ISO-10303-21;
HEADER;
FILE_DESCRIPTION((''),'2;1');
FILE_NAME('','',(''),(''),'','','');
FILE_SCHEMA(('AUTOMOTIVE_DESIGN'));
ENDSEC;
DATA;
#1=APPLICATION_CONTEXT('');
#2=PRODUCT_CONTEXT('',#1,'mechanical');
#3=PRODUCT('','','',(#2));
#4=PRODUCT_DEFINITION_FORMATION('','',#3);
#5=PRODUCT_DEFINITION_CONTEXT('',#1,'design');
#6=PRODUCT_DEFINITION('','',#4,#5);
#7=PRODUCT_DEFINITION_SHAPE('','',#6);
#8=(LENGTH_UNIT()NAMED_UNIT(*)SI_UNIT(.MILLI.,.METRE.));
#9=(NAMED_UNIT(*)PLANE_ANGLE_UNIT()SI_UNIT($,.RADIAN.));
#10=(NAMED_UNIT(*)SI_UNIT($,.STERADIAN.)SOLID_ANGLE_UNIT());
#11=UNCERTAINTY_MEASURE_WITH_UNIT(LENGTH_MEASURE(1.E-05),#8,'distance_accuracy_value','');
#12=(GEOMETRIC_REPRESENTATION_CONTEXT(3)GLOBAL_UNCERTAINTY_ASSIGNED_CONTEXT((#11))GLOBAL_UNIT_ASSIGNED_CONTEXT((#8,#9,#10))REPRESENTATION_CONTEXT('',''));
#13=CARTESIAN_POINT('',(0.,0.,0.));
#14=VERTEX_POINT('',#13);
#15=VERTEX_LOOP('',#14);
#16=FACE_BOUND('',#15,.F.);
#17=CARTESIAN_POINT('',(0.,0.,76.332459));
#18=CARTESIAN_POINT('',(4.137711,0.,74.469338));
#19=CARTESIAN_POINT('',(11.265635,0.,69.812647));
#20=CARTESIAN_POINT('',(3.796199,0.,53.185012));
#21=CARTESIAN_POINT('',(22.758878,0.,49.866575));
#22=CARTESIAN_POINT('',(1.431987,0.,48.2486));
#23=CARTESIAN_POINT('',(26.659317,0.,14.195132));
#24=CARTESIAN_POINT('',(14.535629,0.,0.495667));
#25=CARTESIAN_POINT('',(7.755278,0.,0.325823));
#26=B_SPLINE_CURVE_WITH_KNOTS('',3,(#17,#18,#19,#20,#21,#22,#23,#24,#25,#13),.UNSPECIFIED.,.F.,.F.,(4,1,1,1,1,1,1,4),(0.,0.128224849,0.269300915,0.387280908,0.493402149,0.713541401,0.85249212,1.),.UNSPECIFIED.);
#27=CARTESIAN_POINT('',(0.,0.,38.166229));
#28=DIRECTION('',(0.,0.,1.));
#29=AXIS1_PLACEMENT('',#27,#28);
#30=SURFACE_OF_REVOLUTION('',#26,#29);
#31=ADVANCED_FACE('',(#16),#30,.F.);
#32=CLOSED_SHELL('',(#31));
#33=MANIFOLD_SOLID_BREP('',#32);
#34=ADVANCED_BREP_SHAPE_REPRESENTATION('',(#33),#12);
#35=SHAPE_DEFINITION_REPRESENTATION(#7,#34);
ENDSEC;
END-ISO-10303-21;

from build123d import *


with BuildPart() as f1:
    # F0 (on Front) → F1 (revolve)
    with BuildSketch(Plane.XZ):
        with BuildLine():
            Line((0, 76.3324585356), (0, 0))
            add(Edge.make_bspline(
                [(0, 76.3324585356), (4.1377114933, 74.4693382204), (11.2656347588, 69.8126466737), (3.7961991211, 53.185012174), (22.7588781781, 49.8665751797), (1.4319865154, 48.2485999546), (26.6593173803, 14.1951319178), (14.5356294797, 0.495666793), (7.7552781449, 0.3258233291), (0, 0)],
                knots=[0, 0, 0, 0, 0.1282248491, 0.2693009149, 0.3872809076, 0.493402149, 0.7135414006, 0.8524921199, 1, 1, 1, 1], degree=3))
        make_face()
    revolve(axis=Axis((0, 0, 38.1662292678), (0, 0, 1)))


solid = f1.part
